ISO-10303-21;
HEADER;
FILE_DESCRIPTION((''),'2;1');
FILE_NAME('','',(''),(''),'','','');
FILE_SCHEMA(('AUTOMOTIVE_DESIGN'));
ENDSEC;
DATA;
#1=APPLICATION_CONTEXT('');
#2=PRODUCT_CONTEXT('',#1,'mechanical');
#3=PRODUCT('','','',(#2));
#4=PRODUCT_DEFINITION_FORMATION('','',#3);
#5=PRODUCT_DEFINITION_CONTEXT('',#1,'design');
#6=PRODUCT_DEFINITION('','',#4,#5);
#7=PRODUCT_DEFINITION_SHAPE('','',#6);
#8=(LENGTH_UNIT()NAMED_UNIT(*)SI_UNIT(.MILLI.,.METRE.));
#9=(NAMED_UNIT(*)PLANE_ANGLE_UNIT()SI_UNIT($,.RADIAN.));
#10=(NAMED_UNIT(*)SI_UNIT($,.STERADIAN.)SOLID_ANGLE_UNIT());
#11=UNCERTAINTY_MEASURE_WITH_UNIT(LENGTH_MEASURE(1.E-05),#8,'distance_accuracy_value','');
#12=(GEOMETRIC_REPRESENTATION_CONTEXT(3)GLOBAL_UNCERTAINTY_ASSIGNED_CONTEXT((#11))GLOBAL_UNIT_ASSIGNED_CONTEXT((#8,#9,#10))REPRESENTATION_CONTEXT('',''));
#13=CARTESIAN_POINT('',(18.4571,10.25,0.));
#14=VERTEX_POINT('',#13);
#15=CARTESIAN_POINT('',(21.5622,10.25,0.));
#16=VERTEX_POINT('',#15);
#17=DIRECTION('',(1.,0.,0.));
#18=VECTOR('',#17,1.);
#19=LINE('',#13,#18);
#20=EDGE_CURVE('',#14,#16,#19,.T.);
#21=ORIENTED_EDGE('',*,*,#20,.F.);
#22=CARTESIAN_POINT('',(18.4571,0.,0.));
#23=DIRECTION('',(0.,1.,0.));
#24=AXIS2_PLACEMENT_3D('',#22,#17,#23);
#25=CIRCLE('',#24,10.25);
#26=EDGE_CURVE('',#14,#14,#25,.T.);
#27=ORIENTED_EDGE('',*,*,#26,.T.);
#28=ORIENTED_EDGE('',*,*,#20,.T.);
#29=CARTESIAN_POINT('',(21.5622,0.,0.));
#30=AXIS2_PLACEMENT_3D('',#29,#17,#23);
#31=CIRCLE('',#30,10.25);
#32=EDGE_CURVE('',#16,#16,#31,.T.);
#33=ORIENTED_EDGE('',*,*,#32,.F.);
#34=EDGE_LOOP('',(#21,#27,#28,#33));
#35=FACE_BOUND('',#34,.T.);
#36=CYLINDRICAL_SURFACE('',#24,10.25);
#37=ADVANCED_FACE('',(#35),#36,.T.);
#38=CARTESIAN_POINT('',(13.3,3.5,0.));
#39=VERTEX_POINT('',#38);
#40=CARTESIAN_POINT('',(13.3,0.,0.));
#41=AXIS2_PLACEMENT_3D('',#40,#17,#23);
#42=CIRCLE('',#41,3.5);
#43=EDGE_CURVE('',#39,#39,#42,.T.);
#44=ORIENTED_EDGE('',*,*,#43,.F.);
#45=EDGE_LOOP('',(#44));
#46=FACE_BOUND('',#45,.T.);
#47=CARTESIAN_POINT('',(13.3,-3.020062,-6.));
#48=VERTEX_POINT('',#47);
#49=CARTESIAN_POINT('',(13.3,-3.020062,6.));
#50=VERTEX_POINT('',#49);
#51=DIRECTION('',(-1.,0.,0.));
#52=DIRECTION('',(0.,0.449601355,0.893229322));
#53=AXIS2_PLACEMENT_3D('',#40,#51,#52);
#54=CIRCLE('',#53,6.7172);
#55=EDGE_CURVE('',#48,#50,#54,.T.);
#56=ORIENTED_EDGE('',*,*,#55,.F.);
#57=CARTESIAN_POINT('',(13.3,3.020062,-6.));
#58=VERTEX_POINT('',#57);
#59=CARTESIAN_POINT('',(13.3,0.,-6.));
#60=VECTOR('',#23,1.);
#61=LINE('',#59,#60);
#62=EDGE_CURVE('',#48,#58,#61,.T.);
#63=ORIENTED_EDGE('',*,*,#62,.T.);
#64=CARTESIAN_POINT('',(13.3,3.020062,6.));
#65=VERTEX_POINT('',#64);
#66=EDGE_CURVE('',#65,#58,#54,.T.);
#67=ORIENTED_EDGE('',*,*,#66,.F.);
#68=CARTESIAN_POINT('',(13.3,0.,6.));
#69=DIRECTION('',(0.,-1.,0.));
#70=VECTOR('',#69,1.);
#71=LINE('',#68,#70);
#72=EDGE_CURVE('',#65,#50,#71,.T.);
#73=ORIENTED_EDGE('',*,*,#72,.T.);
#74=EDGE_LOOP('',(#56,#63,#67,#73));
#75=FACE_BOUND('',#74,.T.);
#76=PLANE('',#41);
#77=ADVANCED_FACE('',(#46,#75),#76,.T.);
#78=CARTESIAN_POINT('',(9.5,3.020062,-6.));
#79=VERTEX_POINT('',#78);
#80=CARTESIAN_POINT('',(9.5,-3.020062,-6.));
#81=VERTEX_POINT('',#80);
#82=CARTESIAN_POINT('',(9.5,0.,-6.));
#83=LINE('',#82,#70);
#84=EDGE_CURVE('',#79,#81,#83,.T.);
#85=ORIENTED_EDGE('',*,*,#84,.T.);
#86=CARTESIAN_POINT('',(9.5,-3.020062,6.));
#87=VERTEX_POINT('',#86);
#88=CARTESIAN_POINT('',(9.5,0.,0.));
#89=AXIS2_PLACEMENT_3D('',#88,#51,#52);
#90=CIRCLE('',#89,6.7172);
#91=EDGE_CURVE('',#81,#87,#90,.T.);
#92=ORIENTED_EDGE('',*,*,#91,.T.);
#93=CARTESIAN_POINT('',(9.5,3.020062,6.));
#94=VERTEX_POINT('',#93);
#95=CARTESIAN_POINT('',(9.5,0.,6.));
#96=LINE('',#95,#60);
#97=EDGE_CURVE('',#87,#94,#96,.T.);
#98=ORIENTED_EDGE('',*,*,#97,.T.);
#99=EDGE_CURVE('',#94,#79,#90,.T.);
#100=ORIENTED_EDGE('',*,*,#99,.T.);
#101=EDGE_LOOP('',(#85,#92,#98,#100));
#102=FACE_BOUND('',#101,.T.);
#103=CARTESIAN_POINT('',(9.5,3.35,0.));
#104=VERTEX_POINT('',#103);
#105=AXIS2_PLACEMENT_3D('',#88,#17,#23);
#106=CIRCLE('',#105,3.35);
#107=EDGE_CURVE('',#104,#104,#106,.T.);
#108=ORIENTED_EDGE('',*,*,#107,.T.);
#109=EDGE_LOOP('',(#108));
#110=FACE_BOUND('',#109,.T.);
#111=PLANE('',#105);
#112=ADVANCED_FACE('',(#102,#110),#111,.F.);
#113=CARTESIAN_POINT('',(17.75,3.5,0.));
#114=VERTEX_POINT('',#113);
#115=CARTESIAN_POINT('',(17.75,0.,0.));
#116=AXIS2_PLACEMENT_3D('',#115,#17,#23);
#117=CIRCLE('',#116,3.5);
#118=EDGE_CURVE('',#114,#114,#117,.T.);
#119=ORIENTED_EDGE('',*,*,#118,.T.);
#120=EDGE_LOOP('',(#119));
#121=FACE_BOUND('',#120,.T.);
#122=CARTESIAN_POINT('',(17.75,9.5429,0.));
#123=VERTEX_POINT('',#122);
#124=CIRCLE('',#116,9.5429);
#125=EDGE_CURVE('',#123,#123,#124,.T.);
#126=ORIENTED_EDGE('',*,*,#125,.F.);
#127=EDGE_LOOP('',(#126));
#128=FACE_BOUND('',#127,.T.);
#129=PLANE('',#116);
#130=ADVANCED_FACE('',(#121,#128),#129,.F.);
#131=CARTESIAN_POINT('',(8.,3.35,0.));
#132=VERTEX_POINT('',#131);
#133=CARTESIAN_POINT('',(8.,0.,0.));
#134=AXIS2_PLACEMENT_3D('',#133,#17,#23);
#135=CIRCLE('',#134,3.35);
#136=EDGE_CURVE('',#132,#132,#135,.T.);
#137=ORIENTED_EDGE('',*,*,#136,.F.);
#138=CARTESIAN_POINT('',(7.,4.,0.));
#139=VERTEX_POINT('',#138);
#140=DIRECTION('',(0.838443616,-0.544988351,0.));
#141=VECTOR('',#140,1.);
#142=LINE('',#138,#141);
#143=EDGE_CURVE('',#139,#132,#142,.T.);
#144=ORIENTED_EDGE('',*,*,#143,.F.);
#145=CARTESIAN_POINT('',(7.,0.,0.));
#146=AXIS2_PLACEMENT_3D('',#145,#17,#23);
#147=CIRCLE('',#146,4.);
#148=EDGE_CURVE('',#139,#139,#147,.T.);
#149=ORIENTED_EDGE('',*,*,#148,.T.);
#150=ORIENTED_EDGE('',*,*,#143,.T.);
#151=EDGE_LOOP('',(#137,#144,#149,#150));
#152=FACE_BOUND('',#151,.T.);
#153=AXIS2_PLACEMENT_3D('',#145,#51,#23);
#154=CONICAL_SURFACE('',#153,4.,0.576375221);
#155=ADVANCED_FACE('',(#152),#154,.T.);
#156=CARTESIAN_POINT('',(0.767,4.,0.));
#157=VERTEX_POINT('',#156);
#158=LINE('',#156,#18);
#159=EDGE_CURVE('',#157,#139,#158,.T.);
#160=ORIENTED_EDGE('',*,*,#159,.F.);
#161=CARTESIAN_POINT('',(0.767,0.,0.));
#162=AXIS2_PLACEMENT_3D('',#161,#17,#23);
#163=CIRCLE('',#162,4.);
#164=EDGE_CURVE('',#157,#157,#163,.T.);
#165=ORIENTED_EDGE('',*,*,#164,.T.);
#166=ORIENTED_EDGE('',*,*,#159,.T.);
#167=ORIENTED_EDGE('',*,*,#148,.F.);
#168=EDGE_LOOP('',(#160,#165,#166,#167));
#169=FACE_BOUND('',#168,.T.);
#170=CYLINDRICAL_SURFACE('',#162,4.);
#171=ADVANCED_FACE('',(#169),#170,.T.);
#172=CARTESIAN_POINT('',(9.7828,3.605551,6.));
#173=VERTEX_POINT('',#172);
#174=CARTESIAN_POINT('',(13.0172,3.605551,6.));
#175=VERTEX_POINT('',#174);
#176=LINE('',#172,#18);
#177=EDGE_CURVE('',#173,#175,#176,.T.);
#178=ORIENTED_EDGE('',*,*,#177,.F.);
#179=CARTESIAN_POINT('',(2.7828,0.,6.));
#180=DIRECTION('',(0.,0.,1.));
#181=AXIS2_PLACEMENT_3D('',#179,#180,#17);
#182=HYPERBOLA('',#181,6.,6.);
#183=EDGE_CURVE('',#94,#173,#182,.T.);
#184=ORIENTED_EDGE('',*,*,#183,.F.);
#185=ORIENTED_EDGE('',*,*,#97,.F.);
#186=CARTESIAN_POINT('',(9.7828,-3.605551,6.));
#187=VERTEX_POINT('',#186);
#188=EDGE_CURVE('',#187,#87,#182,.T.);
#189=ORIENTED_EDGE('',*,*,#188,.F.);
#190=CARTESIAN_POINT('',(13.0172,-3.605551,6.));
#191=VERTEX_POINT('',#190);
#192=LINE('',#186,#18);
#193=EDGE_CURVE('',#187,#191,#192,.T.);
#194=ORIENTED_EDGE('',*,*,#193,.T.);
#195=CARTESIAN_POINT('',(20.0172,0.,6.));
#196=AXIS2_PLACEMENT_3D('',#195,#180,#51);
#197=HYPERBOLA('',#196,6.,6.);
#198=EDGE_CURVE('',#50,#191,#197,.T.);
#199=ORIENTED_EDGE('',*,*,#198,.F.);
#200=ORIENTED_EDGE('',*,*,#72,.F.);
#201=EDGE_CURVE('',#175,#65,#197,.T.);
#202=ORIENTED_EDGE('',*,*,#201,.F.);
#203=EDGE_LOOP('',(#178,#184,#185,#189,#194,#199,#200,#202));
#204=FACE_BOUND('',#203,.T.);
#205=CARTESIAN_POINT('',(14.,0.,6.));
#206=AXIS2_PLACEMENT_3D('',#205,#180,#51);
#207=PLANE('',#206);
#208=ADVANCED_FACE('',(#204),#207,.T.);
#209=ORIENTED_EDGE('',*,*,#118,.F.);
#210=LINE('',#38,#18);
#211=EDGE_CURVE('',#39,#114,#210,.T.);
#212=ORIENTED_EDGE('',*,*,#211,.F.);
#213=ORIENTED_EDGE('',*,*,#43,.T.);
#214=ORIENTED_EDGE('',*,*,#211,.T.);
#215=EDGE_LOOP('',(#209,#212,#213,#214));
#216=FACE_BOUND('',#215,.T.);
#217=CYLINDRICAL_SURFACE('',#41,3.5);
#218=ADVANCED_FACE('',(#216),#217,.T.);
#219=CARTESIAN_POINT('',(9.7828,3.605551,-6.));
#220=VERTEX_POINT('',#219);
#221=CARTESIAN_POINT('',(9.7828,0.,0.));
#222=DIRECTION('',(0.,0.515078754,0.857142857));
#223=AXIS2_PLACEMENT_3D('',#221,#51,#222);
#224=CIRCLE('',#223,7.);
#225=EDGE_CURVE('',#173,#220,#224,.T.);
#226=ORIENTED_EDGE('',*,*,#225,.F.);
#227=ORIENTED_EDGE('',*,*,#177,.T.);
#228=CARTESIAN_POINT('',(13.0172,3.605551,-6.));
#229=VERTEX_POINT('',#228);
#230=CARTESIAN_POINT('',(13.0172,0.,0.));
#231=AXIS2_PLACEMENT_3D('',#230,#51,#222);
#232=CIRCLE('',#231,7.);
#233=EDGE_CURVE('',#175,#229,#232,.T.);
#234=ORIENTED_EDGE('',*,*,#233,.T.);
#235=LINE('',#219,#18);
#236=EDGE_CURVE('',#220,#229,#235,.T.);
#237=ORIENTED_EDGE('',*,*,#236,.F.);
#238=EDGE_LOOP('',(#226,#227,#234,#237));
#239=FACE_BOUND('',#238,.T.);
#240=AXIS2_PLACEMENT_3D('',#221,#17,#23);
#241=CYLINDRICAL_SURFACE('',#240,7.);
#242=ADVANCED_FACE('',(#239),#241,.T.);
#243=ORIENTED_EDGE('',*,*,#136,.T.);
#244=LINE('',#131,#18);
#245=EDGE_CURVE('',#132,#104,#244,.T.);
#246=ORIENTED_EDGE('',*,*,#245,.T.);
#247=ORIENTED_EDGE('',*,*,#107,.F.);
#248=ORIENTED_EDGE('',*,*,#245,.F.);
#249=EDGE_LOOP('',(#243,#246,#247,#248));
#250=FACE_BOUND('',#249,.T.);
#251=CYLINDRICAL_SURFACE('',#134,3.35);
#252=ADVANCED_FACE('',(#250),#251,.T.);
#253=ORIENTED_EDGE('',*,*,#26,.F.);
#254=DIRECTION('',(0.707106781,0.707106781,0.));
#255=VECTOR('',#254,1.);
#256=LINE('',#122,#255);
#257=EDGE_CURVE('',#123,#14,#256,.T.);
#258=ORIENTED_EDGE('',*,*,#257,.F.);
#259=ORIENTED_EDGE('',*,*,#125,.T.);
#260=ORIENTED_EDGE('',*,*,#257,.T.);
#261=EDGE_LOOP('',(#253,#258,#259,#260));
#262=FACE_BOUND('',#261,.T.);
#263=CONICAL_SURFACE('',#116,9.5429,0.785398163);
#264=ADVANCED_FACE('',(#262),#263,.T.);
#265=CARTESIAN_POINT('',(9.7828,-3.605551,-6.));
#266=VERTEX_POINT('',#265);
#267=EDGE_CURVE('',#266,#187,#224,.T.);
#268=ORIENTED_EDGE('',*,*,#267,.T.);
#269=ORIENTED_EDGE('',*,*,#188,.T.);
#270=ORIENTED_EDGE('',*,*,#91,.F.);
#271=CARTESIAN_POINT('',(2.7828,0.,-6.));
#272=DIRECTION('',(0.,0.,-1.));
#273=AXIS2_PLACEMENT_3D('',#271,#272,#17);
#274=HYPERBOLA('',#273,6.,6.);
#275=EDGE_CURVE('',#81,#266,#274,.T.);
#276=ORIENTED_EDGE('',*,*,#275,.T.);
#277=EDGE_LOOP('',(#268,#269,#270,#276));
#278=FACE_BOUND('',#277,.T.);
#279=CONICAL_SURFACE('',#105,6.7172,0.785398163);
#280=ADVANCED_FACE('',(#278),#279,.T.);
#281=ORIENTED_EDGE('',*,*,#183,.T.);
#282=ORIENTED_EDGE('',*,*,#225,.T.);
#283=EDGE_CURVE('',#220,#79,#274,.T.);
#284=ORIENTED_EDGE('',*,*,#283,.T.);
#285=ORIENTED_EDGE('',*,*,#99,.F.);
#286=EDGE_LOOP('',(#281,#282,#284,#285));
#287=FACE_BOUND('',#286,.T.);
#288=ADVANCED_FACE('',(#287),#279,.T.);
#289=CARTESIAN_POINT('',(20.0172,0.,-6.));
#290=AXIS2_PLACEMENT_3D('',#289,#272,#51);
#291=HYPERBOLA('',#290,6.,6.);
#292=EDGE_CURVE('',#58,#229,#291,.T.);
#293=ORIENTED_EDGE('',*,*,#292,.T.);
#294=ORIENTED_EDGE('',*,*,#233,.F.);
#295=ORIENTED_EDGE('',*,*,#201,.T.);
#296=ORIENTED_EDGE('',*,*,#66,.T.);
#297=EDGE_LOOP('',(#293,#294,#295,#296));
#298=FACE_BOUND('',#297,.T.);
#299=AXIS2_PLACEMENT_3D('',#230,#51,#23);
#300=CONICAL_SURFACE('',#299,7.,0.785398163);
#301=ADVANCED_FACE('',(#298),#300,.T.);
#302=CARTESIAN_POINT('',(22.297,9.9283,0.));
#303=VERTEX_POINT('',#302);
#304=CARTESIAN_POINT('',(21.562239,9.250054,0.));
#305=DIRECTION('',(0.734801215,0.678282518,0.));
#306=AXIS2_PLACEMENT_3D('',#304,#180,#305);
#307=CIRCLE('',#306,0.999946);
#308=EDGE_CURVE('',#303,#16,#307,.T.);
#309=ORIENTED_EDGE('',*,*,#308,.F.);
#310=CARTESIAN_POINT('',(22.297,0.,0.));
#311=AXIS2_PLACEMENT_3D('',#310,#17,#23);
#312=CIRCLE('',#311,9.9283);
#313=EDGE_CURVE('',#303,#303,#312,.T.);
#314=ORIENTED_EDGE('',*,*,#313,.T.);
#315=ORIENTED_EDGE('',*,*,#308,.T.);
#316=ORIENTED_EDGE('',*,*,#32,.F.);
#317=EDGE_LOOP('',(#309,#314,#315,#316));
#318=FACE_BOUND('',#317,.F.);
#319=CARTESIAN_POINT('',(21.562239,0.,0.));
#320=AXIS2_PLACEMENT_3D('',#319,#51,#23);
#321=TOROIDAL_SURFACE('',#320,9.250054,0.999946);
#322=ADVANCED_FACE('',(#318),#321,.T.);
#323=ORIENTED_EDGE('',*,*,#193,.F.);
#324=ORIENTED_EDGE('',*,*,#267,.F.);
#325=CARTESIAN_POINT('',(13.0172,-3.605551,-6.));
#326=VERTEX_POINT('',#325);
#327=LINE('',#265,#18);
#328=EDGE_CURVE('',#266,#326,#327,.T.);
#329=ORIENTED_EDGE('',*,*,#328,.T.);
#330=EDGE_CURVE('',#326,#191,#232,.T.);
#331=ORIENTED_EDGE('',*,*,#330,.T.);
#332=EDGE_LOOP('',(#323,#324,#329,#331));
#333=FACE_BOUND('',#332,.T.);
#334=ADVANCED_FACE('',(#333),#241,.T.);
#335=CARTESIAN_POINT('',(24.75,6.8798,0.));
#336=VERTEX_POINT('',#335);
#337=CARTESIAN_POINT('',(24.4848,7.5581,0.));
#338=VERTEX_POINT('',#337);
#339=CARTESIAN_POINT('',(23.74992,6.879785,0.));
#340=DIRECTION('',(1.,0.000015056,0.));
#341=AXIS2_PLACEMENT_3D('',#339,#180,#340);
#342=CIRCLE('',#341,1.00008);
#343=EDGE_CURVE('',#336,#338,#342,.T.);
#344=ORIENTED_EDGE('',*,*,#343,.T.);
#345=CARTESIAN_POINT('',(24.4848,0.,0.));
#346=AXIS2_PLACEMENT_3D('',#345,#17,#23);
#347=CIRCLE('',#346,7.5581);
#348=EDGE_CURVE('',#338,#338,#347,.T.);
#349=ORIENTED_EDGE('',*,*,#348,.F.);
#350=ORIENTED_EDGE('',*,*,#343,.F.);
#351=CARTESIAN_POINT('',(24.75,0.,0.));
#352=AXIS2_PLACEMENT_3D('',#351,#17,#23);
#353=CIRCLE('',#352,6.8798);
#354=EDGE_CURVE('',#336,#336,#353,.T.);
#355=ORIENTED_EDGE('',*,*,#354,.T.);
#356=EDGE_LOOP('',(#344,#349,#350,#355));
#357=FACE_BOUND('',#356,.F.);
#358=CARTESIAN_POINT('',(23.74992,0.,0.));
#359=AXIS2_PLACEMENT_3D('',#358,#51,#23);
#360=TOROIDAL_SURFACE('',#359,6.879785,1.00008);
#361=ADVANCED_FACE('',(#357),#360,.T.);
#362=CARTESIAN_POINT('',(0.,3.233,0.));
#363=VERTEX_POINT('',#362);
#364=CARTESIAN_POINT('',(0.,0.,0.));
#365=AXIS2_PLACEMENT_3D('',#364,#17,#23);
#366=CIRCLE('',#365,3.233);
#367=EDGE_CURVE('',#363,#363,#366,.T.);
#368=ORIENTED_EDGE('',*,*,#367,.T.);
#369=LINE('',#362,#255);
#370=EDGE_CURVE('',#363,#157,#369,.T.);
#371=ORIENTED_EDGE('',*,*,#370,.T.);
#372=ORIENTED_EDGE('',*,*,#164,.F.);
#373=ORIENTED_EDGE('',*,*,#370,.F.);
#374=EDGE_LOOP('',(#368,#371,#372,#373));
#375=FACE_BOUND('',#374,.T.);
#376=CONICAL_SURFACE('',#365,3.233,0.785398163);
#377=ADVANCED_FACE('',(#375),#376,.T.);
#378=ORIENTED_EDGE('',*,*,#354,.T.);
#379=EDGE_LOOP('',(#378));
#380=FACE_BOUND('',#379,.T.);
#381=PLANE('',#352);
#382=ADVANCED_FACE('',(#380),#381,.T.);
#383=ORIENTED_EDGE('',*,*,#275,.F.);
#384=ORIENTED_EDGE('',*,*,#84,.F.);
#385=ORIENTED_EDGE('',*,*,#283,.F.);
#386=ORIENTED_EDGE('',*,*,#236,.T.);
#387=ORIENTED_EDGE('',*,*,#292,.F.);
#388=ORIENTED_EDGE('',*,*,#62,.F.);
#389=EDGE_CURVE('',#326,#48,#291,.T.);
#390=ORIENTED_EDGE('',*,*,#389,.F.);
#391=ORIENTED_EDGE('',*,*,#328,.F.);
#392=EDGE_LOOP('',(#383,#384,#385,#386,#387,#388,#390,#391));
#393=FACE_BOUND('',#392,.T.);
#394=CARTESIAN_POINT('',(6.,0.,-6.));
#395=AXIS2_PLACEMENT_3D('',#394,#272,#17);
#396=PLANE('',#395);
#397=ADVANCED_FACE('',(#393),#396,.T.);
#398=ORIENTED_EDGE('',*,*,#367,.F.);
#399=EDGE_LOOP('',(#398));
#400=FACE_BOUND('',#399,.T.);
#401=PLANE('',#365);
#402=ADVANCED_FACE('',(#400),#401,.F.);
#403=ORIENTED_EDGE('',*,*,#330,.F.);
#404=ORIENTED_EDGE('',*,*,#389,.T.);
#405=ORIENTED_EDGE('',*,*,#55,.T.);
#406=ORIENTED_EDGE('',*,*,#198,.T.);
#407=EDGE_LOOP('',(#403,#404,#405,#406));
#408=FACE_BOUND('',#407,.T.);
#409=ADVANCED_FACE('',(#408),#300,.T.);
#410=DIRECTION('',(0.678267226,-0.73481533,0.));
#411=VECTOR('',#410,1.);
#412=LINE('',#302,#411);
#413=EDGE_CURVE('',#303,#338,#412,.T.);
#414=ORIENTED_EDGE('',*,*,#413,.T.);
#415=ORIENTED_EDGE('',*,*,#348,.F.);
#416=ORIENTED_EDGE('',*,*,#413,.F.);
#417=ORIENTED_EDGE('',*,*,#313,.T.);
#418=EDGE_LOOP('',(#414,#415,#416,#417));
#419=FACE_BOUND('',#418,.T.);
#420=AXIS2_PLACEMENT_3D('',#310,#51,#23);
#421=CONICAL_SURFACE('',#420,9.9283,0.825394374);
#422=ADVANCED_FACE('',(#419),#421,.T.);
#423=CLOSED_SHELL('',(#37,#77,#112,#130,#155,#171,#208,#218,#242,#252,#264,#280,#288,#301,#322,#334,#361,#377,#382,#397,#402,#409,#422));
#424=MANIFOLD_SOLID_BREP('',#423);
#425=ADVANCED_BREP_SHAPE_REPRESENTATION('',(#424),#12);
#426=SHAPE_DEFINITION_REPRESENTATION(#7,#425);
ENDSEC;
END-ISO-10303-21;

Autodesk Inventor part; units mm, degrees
sketch "Skizze_1" plane through (0, 0, 0) normal (0, 0, 1) x (1, 0, 0)
  line L0 (24.75, 0) -> (0, 0)
  line L1 (0, 0) -> (0, 3.233)
  line L2 (0, 3.233) -> (0.767, 4)
  line L3 (0.767, 4) -> (7, 4)
  line L4 (7, 4) -> (8, 3.35)
  line L5 (8, 3.35) -> (9.5, 3.35)
  line L6 (9.5, 3.35) -> (9.5, 6.7172)
  line L7 (9.5, 6.7172) -> (9.7828, 7)
  line L8 (9.7828, 7) -> (13.0172, 7)
  line L9 (13.0172, 7) -> (13.3, 6.7172)
  line L10 (13.3, 6.7172) -> (13.3, 3.5)
  line L11 (13.3, 3.5) -> (17.75, 3.5)
  line L12 (17.75, 3.5) -> (17.75, 9.5429)
  line L13 (17.75, 9.5429) -> (18.4571, 10.25)
  line L14 (18.4571, 10.25) -> (21.5622, 10.25)
  arc A0 (22.297, 9.9283) -> (21.5622, 10.25) centre (21.5622, 9.25) ccw
  line L15 (22.297, 9.9283) -> (24.4848, 7.5581)
  arc A1 (24.75, 6.8798) -> (24.4848, 7.5581) centre (23.75, 6.8798) ccw
  line L16 (24.75, 6.8798) -> (24.75, 0)
  line L17 (24.75, 0) -> (0, 0)
revolve "Revolution1" add sketch "Skizze_1" angle 360 about axis through (24.75, 0, 0) along (1, 0, 0)
thread "Thread1" size "M8x1.25" class "6g" standard "ISO Metric profile" full length
sketch "Skizze_2" plane through (0, 0, 0) normal (0, 1, 0) x (-1, 0, 0)
  line L0 (-6, 6) -> (-6, 14)
  line L1 (-6, 14) -> (-14, 14)
  line L2 (-14, 14) -> (-14, 6)
  line L3 (-14, 6) -> (-6, 6)
extrude "Extrusion1" cut sketch "Skizze_2" along normal mid plane 10
sketch "Skizze_3" plane through (0, 0, 0) normal (0, 1, 0) x (-1, 0, 0)
  line L0 (-6, -14) -> (-6, -6)
  line L1 (-6, -6) -> (-14, -6)
  line L2 (-14, -6) -> (-14, -14)
  line L3 (-14, -14) -> (-6, -14)
extrude "Extrusion2" cut sketch "Skizze_3" along normal mid plane 10
ref_plane "side_1_XY" through (9.5, 0, 0) normal (-1, 0, 0) x (0, 0, -1)
ref_plane "side_1_YZ" through (9.5, 0, 0) normal (0, 0, -1) x (0, -1, 0)
ref_plane "side_1_ZX" through (9.5, 0, 0) normal (0, -1, 0) x (-1, 0, 0)
ref_plane "side_2_XY" through (14.6, 0, 0) normal (1, 0, 0) x (0, 0, -1)
ref_plane "side_2_YZ" through (14.6, 0, 0) normal (0, 0, -1) x (0, 1, 0)
ref_plane "side_2_ZX" through (14.6, 0, 0) normal (0, 1, 0) x (1, 0, 0)
properties part number "MayTec 1.67.42E3M8_Slot roller E3"
